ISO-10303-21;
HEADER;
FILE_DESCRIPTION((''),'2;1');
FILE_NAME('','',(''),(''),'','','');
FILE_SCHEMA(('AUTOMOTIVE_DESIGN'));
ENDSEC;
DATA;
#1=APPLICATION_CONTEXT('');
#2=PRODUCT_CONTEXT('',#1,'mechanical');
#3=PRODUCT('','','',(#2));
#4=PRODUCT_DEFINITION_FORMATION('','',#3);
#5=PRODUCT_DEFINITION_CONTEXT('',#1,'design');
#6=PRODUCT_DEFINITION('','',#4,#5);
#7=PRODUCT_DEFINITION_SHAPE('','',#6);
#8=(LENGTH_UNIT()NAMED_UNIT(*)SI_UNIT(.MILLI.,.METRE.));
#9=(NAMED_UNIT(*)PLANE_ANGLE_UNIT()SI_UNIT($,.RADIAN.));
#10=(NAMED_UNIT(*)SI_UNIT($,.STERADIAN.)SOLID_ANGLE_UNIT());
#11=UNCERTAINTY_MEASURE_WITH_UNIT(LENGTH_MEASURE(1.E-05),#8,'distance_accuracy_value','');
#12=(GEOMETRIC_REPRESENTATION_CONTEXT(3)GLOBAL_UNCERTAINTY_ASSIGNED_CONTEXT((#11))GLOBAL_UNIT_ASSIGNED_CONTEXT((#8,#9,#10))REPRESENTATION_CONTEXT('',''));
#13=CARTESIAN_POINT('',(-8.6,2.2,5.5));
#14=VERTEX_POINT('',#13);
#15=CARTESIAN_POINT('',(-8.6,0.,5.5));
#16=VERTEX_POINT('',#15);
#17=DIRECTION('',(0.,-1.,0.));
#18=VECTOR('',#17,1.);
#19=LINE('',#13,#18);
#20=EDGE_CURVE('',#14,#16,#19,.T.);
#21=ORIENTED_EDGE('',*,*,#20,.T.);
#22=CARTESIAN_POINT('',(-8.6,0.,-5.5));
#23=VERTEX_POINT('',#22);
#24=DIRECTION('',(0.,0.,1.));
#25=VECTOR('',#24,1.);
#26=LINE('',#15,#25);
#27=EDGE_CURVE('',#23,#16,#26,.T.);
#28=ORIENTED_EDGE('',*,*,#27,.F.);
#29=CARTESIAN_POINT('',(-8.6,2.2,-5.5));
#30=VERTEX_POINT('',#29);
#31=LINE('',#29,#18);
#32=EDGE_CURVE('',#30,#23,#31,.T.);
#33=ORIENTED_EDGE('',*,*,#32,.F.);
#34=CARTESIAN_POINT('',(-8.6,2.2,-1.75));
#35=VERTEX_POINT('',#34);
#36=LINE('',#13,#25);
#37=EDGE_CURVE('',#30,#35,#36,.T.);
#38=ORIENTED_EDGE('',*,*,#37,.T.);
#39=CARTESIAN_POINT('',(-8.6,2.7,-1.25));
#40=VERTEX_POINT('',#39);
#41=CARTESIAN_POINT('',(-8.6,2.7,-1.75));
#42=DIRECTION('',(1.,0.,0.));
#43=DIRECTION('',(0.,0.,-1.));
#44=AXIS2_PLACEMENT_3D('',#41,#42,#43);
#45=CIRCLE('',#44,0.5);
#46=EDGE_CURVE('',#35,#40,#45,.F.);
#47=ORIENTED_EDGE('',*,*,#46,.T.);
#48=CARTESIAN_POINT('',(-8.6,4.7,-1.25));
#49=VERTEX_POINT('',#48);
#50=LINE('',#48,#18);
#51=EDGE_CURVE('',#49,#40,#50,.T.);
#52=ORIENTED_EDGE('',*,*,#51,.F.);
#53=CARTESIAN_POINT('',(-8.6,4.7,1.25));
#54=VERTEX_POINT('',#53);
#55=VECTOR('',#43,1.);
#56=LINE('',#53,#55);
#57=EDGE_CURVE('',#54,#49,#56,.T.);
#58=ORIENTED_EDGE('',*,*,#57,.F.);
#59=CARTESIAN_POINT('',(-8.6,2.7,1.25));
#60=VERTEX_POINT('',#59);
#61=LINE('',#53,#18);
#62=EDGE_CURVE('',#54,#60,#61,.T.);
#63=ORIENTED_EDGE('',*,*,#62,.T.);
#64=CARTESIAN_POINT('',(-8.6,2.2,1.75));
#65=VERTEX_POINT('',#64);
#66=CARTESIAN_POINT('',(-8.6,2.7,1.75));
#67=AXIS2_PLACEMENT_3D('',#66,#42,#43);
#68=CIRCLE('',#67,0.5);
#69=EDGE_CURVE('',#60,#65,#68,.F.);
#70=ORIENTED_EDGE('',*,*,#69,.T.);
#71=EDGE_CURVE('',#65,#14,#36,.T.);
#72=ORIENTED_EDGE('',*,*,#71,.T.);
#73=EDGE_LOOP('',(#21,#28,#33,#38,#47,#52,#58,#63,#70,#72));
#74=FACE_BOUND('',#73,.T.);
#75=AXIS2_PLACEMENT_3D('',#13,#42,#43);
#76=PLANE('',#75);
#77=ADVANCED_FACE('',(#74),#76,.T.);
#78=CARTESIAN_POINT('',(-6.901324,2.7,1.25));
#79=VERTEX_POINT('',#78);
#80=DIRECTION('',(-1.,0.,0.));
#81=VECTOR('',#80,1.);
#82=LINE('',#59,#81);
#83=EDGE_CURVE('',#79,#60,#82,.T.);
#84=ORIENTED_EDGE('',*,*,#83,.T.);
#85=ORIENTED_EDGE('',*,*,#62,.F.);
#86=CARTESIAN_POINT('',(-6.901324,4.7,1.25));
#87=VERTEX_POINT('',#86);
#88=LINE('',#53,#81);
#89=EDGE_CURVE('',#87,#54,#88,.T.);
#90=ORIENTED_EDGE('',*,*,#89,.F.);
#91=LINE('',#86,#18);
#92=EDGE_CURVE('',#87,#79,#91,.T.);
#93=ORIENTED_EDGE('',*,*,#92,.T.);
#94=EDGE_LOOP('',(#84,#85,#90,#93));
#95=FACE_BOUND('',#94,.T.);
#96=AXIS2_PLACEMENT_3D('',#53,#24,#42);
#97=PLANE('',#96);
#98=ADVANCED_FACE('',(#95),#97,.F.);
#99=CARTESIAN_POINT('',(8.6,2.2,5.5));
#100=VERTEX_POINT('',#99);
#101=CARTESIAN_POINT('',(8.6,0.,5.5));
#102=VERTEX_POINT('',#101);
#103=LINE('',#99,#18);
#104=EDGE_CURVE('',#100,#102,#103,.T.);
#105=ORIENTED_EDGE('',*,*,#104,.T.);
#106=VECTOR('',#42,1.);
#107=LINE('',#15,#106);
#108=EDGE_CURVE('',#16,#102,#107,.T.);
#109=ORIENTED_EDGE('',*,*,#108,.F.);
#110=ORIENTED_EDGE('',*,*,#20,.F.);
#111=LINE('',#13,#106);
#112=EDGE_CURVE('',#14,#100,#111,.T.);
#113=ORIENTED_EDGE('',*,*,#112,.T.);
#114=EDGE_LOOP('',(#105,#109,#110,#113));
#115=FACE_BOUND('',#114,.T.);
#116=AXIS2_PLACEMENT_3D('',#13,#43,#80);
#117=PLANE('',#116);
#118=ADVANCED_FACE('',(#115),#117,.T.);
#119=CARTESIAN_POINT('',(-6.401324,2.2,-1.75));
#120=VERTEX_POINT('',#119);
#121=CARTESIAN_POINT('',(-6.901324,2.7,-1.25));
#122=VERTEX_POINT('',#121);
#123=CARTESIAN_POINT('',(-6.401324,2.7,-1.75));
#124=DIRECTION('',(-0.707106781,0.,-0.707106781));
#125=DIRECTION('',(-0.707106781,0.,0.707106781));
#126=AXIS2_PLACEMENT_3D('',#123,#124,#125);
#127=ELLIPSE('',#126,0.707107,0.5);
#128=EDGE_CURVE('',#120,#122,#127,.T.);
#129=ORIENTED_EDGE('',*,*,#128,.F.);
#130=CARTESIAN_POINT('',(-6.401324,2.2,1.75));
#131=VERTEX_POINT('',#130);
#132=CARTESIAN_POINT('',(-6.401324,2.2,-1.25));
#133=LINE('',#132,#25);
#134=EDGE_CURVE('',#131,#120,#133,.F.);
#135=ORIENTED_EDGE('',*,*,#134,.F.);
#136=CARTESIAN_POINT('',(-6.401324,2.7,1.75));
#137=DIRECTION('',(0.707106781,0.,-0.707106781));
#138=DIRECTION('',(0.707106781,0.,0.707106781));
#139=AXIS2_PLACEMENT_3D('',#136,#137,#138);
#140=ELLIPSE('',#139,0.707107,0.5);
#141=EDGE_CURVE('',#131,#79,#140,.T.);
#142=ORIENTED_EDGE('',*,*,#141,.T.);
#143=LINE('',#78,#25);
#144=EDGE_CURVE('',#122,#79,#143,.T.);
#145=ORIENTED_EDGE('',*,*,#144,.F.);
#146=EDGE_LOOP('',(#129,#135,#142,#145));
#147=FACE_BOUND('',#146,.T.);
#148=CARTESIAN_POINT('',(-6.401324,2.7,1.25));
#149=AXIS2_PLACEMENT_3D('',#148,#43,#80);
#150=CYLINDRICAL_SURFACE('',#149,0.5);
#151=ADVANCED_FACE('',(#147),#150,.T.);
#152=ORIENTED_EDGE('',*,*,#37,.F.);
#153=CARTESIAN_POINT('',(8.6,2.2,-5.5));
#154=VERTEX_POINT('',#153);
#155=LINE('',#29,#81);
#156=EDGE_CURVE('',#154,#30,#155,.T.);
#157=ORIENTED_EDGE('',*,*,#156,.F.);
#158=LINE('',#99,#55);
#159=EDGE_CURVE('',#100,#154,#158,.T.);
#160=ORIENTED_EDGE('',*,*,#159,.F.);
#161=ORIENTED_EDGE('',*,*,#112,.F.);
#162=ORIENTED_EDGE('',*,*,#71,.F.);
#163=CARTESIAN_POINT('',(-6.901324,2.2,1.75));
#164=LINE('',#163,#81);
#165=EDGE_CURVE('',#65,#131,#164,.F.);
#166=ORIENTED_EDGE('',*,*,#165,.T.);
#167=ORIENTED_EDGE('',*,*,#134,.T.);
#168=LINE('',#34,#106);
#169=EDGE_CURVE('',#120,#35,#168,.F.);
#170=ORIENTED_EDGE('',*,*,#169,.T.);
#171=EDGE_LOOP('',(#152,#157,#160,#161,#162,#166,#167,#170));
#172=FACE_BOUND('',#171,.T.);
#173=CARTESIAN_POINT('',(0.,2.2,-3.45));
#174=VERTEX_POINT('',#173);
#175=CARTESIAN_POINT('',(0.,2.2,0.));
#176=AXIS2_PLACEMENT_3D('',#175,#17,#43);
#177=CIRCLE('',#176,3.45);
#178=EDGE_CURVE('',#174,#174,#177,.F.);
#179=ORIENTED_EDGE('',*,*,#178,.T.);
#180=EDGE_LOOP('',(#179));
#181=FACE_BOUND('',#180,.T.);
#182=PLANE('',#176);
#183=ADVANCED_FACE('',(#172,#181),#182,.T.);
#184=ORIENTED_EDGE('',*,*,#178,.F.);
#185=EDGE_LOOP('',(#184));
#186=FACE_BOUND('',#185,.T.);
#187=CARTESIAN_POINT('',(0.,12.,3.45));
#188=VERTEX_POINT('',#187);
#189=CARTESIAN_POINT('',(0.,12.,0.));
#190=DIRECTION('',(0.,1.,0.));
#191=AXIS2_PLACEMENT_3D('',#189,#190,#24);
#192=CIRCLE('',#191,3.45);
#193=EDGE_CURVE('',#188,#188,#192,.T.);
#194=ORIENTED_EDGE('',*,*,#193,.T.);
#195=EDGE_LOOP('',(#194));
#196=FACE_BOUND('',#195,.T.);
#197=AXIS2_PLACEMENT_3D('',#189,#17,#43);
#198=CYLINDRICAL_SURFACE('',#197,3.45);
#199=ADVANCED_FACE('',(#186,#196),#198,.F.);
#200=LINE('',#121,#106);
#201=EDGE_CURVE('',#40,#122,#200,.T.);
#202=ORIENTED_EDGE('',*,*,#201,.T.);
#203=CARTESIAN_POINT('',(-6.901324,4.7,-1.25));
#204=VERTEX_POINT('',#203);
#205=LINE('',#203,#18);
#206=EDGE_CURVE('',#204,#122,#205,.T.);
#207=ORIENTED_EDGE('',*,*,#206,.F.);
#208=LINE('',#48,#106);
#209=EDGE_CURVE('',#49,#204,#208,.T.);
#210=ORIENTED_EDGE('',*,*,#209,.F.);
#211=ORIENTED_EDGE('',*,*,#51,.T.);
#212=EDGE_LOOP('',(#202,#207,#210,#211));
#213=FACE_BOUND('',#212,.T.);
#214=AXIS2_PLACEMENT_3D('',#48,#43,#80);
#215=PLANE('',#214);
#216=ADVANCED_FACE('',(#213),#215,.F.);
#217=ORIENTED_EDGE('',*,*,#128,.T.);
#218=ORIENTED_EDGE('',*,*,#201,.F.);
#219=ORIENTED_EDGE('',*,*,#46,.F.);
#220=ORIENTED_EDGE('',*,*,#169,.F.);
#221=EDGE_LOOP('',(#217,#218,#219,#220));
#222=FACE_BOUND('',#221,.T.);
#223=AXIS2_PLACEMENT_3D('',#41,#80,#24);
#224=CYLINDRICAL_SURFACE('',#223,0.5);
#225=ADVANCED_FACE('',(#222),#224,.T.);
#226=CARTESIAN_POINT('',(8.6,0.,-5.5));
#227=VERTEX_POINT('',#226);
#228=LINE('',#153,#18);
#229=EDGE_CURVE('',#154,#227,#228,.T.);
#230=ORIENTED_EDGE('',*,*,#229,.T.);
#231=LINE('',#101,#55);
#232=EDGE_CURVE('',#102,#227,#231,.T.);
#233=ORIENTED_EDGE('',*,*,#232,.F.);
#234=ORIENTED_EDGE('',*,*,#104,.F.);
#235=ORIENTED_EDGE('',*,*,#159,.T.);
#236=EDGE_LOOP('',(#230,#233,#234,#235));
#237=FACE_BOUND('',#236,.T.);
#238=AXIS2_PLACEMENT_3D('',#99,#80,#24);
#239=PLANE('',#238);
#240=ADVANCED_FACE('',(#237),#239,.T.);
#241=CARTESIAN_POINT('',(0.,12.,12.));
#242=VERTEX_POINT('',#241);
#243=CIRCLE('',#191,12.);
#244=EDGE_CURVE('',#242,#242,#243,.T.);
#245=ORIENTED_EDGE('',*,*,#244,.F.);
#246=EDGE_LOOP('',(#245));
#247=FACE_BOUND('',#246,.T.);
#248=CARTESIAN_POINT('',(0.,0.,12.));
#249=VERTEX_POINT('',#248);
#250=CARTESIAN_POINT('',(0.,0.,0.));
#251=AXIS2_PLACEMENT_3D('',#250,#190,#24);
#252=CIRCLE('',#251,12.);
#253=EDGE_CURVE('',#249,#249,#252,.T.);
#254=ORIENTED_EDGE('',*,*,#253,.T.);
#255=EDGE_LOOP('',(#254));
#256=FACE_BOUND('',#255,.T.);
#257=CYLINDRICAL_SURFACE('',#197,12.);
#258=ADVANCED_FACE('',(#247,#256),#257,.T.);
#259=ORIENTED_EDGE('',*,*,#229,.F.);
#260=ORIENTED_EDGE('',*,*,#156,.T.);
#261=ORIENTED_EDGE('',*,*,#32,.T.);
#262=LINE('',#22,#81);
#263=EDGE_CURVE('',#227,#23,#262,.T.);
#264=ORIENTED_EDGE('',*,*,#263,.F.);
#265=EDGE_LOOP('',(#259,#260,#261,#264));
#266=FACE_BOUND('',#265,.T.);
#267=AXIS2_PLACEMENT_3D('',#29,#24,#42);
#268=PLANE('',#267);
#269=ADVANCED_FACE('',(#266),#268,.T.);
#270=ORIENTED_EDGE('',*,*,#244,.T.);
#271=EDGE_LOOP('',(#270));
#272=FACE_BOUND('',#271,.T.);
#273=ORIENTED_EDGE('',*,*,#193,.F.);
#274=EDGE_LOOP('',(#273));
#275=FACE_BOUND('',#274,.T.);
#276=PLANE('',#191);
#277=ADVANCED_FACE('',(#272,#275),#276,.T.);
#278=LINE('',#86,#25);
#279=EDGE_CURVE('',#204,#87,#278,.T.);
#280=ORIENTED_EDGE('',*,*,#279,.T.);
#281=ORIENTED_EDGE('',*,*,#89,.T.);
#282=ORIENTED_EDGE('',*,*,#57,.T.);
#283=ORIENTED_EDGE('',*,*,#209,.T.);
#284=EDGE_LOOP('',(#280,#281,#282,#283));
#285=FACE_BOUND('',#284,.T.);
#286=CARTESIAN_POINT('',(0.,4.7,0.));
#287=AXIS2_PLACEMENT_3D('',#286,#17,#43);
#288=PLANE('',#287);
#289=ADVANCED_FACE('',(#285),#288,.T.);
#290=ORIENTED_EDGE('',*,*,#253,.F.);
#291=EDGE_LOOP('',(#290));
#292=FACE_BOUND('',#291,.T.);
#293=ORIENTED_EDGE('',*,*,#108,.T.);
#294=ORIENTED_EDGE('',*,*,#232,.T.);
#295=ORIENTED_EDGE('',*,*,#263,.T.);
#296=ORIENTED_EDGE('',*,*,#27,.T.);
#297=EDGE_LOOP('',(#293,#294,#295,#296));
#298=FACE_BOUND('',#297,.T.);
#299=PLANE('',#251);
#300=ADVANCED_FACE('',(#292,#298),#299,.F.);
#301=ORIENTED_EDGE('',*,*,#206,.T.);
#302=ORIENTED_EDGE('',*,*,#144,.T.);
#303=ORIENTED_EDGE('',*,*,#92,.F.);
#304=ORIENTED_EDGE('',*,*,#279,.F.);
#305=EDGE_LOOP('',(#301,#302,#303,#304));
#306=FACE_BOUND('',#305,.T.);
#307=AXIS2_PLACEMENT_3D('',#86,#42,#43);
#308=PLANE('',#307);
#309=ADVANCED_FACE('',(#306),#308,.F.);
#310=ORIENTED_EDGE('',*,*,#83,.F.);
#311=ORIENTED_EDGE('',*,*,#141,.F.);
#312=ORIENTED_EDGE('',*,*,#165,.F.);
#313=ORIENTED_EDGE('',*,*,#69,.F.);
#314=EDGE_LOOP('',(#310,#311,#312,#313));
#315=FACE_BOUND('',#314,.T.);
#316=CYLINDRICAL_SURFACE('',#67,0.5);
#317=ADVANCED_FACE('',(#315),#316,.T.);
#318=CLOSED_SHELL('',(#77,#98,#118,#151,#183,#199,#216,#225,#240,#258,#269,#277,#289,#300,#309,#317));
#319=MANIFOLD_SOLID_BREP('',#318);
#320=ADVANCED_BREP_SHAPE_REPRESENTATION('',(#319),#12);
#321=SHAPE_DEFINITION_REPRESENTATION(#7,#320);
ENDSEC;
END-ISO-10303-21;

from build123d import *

# Parameters (mm, degrees)
SKETCH3_R           = 12
BOSS_EXTRUDE1_DEPTH = 12
SKETCH2_W           = 17.2
SKETCH2_H           = 11
CUT_EXTRUDE1_DEPTH  = 2.2
SKETCH4_R           = 3.45
CUT_EXTRUDE2_DEPTH  = 21.784609691
SKETCH5_W           = 1.698676218
SKETCH5_H           = 2.5
CUT_EXTRUDE3_DEPTH  = 2.5
FILLET1_R           = 0.5


with BuildPart() as part:
    # Sketch3 → Boss-Extrude1 (new body)
    with BuildSketch(Plane(origin=(0, 0, 0), x_dir=(1, 0, 0), z_dir=(0, 1, 0))):
        with Locations(Location((0, 0, 0), (0, 0, 270))):
            Circle(SKETCH3_R)
    extrude(amount=BOSS_EXTRUDE1_DEPTH)

    # Sketch2 → Cut-Extrude1 (cut)
    with BuildSketch(Plane(origin=(0, 0, 0), x_dir=(1, 0, 0), z_dir=(0, 1, 0))):
        Rectangle(SKETCH2_W, SKETCH2_H)
    extrude(amount=CUT_EXTRUDE1_DEPTH, mode=Mode.SUBTRACT)

    # Sketch4 → Cut-Extrude2 (cut, through all)
    with BuildSketch(Plane(origin=(0, 0, 0), x_dir=(1, 0, 0), z_dir=(0, 1, 0))):
        with Locations(Location((0, 0, 0), (0, 0, 90))):
            Circle(SKETCH4_R)
    extrude(amount=CUT_EXTRUDE2_DEPTH, mode=Mode.SUBTRACT)

    # Sketch5 → Cut-Extrude3 (cut)
    with BuildSketch(Plane.XZ.offset(-2.2)):
        with Locations((-7.750661891, 0)):
            Rectangle(SKETCH5_W, SKETCH5_H)
    extrude(amount=-CUT_EXTRUDE3_DEPTH, mode=Mode.SUBTRACT)

    # Fillet1
    fillet1_edges = [part.edges().sort_by_distance(p)[0] for p in [
        (-7.750661891, 2.2, -1.25),
        (-6.901323782, 2.2, 0),
        (-7.750661891, 2.2, 1.25),
    ]]
    fillet(fillet1_edges, radius=FILLET1_R)


solid = part.part
